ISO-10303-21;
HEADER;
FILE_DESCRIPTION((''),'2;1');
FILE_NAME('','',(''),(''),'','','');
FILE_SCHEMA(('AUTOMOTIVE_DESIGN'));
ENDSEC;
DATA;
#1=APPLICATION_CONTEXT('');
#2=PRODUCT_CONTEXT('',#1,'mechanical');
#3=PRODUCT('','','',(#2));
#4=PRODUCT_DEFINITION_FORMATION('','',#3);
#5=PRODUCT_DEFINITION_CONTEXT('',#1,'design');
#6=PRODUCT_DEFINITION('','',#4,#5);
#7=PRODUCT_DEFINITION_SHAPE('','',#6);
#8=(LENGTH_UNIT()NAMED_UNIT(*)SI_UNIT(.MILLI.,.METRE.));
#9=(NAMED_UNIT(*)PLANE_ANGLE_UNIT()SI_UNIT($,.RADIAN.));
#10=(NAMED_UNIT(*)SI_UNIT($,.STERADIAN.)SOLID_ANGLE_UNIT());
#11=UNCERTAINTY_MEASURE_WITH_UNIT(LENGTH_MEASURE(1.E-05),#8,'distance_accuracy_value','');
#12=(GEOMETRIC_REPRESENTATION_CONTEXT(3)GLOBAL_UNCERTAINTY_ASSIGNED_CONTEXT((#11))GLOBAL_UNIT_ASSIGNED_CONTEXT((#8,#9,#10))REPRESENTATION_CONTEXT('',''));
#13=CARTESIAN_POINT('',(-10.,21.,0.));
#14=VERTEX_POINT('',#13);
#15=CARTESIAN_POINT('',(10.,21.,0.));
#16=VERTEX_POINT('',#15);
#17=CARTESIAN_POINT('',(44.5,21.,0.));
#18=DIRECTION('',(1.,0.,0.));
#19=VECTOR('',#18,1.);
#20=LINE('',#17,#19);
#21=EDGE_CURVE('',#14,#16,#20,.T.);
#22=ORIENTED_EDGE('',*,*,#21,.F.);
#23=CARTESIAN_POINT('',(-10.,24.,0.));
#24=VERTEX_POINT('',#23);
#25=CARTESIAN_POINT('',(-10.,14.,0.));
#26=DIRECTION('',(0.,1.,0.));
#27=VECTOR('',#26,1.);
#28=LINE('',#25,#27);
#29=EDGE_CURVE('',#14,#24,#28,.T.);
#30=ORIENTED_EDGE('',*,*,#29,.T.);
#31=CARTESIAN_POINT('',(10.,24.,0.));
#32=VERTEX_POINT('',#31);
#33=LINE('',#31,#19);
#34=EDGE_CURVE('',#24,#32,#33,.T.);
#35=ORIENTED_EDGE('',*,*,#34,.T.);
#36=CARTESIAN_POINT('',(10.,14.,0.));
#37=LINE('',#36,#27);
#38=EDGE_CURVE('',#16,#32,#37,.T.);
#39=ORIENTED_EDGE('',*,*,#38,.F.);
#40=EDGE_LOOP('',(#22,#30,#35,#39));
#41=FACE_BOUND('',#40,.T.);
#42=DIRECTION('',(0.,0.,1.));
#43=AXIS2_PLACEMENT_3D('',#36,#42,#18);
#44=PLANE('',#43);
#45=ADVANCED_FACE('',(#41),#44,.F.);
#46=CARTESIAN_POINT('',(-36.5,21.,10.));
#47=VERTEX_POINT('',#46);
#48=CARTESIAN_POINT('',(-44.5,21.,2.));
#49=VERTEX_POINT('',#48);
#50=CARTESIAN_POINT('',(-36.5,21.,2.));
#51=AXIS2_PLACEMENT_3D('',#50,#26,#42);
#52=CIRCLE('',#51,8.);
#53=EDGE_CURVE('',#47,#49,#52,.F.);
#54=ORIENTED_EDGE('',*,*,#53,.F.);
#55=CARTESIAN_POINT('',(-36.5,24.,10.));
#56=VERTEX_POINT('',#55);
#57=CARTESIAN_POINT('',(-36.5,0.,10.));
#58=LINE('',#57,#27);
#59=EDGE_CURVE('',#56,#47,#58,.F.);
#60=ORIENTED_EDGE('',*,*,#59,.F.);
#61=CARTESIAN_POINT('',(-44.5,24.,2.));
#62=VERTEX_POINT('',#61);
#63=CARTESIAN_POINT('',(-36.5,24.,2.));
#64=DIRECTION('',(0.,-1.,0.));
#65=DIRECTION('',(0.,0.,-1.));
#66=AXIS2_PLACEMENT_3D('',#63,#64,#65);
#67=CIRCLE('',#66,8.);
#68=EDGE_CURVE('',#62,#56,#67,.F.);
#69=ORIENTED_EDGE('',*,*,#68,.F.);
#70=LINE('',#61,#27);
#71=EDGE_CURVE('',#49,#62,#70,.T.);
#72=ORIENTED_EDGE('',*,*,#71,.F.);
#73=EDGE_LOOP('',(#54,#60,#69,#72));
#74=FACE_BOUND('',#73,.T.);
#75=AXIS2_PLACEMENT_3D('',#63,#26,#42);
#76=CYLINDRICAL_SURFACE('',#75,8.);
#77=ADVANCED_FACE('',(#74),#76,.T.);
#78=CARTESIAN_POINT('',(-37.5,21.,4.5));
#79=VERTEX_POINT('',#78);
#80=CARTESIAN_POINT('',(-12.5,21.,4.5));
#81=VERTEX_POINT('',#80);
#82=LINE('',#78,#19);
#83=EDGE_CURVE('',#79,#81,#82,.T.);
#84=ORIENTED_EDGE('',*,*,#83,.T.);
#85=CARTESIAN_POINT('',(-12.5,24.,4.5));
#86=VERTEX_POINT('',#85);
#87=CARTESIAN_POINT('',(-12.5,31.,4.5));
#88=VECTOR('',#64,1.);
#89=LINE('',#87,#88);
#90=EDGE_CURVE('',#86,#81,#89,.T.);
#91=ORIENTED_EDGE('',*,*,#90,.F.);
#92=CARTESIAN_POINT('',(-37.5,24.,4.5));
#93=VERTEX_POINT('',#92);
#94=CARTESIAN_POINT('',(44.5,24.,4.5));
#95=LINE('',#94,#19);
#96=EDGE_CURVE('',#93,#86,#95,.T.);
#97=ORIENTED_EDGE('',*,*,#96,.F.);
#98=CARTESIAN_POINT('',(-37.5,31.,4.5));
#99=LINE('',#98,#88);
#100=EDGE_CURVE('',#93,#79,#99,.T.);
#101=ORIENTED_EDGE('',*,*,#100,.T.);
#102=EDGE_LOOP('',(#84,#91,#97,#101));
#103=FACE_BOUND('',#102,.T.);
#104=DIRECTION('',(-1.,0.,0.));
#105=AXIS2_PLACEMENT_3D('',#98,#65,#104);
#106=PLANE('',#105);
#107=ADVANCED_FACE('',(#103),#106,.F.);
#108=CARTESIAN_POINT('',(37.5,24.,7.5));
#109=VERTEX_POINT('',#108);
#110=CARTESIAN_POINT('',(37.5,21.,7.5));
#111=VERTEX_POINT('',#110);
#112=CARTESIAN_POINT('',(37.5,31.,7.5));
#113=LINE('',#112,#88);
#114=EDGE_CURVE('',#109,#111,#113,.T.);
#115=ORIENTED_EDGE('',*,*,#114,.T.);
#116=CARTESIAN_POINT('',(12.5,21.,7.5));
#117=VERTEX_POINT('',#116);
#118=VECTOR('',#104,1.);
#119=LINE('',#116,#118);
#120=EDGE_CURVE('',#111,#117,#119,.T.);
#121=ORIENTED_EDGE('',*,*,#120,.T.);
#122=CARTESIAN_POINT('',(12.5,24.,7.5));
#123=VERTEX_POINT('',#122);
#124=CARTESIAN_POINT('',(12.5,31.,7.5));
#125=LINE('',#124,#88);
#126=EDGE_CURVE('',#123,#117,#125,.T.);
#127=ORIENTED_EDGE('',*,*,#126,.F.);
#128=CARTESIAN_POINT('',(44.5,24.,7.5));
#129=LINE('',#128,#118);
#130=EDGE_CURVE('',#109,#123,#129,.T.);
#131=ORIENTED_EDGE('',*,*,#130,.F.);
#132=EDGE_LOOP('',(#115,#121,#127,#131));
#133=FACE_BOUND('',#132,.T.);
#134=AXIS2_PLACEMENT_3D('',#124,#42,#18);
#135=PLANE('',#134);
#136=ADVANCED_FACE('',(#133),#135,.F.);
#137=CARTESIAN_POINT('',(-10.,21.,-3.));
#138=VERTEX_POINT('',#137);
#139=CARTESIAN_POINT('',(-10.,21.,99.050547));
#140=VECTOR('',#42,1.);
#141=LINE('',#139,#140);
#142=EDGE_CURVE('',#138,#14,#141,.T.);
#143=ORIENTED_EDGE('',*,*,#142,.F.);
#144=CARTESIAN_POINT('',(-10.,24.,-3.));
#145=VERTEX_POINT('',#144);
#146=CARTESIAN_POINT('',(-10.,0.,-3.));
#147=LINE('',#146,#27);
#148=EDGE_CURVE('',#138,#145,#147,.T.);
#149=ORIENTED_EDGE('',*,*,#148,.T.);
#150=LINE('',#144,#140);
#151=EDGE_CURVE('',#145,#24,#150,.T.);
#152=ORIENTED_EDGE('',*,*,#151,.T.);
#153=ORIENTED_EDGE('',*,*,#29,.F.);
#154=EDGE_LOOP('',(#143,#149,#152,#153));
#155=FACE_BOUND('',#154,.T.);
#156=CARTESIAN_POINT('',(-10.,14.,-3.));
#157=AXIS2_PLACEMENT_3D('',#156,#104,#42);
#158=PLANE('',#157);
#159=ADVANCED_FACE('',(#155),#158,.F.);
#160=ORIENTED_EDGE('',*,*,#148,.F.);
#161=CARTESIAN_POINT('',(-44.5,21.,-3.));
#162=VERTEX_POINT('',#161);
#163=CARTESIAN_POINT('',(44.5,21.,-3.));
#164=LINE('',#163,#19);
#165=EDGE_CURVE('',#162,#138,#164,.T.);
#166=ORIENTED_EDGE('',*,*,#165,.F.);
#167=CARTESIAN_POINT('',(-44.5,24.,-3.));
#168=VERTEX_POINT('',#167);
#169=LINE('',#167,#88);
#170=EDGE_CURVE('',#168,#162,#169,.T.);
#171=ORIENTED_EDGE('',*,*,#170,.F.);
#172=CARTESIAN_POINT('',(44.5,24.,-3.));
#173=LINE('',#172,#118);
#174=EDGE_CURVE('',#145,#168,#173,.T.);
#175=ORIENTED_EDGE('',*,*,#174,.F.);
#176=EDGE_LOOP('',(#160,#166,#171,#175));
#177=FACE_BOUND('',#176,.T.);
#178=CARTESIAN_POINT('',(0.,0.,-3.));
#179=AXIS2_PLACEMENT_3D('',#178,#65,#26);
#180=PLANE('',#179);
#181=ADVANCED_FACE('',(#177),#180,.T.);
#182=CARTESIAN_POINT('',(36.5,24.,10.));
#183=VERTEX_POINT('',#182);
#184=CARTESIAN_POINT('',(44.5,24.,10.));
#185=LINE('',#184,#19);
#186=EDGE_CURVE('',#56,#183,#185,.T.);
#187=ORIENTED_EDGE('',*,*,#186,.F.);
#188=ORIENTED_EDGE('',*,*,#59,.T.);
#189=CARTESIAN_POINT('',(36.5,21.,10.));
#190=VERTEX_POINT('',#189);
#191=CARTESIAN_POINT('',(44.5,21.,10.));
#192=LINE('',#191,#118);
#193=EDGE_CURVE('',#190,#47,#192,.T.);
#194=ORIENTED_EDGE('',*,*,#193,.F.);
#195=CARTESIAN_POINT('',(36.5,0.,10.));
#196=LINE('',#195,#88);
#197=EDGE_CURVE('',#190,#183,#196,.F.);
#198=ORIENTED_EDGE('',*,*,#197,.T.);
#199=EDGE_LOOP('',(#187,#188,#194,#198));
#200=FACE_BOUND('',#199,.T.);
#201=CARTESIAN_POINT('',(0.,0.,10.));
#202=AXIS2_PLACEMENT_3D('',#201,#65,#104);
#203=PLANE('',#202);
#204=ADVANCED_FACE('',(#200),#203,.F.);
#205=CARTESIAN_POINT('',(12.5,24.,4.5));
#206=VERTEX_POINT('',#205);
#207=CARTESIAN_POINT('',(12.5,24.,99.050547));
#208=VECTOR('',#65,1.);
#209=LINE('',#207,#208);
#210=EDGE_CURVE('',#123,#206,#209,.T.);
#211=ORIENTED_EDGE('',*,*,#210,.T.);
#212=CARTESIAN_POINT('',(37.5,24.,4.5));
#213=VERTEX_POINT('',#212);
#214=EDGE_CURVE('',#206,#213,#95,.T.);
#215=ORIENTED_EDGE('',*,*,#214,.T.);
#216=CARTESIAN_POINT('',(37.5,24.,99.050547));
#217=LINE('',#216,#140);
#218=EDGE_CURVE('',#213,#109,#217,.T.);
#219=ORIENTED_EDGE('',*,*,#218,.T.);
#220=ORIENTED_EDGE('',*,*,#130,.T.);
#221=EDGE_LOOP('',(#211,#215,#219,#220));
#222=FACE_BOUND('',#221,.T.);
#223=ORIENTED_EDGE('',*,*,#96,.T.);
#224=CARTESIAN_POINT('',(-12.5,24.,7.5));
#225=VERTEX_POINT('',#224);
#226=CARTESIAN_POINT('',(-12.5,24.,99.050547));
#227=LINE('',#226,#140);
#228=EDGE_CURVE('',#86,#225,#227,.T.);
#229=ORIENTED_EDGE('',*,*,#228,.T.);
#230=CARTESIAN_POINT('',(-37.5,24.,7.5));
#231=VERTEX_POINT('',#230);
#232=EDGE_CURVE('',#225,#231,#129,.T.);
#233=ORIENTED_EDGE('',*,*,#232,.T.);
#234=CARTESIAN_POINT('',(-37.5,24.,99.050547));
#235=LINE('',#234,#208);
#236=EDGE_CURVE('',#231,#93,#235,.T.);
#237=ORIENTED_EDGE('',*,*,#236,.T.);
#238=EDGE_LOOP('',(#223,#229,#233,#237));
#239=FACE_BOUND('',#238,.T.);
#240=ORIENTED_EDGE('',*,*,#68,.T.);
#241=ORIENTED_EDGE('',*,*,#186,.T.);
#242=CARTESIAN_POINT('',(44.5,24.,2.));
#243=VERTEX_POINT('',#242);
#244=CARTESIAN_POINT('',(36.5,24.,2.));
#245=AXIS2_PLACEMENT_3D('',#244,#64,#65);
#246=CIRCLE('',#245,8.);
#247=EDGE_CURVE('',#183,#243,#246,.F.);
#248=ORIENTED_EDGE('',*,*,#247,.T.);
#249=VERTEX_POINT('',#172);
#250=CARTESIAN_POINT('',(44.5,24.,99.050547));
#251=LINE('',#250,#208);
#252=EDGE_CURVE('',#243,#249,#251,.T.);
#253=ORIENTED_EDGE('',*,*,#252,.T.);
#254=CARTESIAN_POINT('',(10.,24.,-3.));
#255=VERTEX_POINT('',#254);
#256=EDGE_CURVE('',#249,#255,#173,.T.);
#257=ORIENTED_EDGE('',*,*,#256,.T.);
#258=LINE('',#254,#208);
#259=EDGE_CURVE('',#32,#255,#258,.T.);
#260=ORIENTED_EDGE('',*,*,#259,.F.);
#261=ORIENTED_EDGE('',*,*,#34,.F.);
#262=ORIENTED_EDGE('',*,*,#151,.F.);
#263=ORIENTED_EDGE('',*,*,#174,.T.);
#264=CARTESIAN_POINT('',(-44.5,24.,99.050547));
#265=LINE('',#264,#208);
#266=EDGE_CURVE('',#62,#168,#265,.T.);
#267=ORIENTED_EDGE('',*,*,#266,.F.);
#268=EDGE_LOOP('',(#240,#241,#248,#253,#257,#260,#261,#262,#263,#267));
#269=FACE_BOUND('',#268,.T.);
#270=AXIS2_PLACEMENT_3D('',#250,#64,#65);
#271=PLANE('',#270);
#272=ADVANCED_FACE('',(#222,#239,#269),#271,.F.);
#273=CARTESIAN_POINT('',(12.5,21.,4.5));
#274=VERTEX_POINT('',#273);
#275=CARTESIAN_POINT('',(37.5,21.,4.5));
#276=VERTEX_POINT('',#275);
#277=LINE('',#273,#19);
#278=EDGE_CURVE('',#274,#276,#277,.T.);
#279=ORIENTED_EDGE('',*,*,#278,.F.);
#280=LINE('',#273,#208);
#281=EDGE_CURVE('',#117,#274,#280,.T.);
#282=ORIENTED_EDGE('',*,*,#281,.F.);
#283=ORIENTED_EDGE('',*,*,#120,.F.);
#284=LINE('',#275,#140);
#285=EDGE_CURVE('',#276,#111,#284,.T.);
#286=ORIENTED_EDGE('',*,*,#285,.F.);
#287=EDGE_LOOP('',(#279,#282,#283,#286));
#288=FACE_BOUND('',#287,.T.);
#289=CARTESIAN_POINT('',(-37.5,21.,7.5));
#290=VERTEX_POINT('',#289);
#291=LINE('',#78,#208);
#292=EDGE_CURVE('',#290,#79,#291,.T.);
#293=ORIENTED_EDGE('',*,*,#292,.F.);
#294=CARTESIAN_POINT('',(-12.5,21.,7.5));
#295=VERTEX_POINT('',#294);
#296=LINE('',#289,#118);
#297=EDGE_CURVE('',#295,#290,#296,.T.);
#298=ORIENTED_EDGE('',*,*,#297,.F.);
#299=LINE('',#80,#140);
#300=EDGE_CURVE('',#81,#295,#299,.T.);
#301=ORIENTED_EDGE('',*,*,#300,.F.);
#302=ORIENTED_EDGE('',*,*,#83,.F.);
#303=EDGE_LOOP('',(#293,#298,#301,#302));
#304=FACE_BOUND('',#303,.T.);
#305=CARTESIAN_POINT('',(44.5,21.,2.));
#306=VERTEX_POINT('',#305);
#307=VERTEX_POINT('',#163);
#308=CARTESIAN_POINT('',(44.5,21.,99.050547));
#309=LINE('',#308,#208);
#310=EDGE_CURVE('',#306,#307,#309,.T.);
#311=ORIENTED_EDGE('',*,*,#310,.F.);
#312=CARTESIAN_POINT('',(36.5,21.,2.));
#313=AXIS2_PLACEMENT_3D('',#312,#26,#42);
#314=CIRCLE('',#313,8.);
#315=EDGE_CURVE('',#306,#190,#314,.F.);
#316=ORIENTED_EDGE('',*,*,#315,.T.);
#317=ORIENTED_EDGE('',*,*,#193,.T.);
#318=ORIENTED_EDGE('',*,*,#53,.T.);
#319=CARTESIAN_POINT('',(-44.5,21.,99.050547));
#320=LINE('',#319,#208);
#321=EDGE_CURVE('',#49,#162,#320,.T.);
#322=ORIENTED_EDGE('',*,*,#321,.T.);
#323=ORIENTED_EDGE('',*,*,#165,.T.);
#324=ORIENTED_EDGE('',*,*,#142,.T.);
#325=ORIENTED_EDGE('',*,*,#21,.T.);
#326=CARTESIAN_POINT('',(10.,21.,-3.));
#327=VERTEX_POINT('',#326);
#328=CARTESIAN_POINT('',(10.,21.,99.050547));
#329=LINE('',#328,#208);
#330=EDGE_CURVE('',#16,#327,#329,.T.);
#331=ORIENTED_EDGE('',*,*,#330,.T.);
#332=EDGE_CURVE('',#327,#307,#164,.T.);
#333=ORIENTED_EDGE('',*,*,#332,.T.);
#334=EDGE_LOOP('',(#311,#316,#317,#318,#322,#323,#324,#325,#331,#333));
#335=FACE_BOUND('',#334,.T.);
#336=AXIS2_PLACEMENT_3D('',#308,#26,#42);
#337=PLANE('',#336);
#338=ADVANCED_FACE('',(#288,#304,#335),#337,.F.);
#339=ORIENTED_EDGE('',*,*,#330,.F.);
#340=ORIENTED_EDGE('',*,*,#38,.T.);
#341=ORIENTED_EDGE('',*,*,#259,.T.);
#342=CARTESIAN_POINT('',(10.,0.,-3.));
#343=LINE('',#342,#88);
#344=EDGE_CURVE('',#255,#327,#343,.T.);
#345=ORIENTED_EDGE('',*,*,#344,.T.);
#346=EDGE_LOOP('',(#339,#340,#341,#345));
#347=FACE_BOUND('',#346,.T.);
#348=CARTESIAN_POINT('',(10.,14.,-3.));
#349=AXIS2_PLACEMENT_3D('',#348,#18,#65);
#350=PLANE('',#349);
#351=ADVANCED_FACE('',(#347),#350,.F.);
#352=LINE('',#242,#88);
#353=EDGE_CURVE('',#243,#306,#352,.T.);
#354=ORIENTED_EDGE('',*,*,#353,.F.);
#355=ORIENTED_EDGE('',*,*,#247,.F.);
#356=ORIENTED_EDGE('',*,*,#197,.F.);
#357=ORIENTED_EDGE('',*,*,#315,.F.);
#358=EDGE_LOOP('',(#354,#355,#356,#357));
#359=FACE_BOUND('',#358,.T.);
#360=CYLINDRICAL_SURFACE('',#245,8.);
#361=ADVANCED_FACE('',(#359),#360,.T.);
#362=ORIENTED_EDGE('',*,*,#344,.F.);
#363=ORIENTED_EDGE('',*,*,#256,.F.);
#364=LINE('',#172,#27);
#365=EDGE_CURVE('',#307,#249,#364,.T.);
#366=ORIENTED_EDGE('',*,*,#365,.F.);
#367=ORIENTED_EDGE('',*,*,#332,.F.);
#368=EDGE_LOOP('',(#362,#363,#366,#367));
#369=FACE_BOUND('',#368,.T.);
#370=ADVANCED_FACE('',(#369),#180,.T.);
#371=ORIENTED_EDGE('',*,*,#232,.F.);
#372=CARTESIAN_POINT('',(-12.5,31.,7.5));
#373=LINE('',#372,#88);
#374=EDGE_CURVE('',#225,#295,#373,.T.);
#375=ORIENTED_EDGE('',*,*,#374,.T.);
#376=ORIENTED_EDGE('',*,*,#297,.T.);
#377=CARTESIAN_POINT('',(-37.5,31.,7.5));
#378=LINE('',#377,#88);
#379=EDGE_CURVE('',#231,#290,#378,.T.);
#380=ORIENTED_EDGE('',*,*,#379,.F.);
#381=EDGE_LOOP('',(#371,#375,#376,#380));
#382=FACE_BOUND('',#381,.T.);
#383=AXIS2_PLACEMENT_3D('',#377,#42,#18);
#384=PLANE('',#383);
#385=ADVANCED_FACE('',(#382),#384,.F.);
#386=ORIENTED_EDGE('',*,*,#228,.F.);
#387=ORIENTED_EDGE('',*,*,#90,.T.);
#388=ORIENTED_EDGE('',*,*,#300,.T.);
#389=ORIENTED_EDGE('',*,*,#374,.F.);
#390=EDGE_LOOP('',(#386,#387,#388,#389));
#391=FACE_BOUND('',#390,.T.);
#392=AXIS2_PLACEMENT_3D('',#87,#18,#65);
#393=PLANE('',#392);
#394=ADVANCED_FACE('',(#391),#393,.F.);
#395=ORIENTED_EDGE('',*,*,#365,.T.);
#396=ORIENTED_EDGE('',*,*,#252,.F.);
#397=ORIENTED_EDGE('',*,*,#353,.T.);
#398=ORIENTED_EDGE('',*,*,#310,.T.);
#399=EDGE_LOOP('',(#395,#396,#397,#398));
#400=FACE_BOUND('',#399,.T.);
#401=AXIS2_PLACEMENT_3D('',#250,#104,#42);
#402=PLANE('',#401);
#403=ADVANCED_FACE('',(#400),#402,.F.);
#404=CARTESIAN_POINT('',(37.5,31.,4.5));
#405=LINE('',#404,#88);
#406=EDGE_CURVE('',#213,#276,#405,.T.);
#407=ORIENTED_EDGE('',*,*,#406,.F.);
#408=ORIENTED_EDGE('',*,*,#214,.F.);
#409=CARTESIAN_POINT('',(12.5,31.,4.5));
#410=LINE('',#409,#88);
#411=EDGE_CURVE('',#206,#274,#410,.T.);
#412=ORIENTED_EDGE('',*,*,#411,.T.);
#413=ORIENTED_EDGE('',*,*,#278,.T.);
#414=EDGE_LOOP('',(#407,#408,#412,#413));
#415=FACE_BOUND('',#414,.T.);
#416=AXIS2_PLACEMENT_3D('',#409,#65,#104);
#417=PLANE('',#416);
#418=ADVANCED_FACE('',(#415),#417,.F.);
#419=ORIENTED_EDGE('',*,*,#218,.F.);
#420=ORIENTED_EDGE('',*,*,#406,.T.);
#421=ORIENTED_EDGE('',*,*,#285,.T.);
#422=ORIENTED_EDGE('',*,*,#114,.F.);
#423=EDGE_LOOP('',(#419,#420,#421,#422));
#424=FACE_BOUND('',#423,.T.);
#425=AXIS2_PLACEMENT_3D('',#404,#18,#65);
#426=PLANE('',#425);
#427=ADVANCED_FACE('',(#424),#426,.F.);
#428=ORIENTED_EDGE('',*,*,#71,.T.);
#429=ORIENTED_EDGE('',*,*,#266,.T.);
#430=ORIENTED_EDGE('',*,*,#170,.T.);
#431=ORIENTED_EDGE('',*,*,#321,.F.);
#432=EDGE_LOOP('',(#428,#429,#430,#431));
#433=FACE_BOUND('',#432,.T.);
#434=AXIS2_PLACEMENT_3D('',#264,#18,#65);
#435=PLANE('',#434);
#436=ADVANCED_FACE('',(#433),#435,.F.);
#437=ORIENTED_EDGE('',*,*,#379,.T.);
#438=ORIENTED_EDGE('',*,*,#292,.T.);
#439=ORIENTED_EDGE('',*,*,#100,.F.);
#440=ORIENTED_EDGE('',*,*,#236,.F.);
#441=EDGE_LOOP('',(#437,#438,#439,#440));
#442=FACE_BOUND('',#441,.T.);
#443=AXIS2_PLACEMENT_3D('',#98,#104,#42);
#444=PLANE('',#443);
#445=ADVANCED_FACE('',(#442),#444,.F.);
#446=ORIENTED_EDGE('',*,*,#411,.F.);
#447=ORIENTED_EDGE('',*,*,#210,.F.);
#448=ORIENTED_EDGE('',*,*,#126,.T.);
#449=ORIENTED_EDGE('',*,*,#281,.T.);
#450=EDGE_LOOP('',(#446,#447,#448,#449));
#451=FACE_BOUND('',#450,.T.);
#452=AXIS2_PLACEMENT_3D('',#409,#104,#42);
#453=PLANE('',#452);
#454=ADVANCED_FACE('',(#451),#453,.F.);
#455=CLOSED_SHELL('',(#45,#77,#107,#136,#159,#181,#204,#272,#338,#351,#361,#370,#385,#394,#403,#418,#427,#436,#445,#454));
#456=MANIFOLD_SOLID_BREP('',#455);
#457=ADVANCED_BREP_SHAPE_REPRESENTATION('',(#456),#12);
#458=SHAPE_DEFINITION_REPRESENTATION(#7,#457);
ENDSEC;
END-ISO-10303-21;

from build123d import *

# Parameters (mm, degrees)
ESTRUSIONE_ESTRUSIONE1_DEPTH      = 10
ESTRUSIONE_ESTRUSIONE1_DEPTH_BACK = 3
SCHIZZO1_W                        = 89
SCHIZZO1_H                        = 3
SCHIZZO2_W                        = 25
SCHIZZO2_H                        = 3
TAGLIO_ESTRUSIONE1_DEPTH          = 10
SCHIZZO3_W                        = 20
SCHIZZO3_H                        = 3
TAGLIO_ESTRUSIONE2_DEPTH          = 10
RACCORDO1_R                       = 8


with BuildPart() as part:
    # Schizzo1 → Estrusione-Estrusione1 (new, two sides: drawn at the far end of the back side and taken through both)
    with BuildSketch(Plane.XY.offset(-ESTRUSIONE_ESTRUSIONE1_DEPTH_BACK)):
        with Locations((0, 22.5)):
            Rectangle(SCHIZZO1_W, SCHIZZO1_H)
    extrude(amount=ESTRUSIONE_ESTRUSIONE1_DEPTH + ESTRUSIONE_ESTRUSIONE1_DEPTH_BACK)

    # Schizzo2 → Taglio-Estrusione1 (cut)
    with BuildSketch(Plane.XZ.offset(-21)):
        with Locations((-25, 6)):
            Rectangle(SCHIZZO2_W, SCHIZZO2_H)
        with Locations((25, 6)):
            Rectangle(SCHIZZO2_W, SCHIZZO2_H)
    extrude(amount=-TAGLIO_ESTRUSIONE1_DEPTH, mode=Mode.SUBTRACT)

    # Schizzo3 → Taglio-Estrusione2 (cut)
    with BuildSketch(Plane(origin=(0, 24, 0), x_dir=(1, 0, 0), z_dir=(0, 1, 0))):
        with Locations((0, 1.5)):
            Rectangle(SCHIZZO3_W, SCHIZZO3_H)
    extrude(amount=-TAGLIO_ESTRUSIONE2_DEPTH, mode=Mode.SUBTRACT)

    # Raccordo1
    raccordo1_edges = [part.edges().sort_by_distance(p)[0] for p in [
        (-44.5, 22.5, 10),
        (44.5, 22.5, 10),
    ]]
    fillet(raccordo1_edges, radius=RACCORDO1_R)


solid = part.part
